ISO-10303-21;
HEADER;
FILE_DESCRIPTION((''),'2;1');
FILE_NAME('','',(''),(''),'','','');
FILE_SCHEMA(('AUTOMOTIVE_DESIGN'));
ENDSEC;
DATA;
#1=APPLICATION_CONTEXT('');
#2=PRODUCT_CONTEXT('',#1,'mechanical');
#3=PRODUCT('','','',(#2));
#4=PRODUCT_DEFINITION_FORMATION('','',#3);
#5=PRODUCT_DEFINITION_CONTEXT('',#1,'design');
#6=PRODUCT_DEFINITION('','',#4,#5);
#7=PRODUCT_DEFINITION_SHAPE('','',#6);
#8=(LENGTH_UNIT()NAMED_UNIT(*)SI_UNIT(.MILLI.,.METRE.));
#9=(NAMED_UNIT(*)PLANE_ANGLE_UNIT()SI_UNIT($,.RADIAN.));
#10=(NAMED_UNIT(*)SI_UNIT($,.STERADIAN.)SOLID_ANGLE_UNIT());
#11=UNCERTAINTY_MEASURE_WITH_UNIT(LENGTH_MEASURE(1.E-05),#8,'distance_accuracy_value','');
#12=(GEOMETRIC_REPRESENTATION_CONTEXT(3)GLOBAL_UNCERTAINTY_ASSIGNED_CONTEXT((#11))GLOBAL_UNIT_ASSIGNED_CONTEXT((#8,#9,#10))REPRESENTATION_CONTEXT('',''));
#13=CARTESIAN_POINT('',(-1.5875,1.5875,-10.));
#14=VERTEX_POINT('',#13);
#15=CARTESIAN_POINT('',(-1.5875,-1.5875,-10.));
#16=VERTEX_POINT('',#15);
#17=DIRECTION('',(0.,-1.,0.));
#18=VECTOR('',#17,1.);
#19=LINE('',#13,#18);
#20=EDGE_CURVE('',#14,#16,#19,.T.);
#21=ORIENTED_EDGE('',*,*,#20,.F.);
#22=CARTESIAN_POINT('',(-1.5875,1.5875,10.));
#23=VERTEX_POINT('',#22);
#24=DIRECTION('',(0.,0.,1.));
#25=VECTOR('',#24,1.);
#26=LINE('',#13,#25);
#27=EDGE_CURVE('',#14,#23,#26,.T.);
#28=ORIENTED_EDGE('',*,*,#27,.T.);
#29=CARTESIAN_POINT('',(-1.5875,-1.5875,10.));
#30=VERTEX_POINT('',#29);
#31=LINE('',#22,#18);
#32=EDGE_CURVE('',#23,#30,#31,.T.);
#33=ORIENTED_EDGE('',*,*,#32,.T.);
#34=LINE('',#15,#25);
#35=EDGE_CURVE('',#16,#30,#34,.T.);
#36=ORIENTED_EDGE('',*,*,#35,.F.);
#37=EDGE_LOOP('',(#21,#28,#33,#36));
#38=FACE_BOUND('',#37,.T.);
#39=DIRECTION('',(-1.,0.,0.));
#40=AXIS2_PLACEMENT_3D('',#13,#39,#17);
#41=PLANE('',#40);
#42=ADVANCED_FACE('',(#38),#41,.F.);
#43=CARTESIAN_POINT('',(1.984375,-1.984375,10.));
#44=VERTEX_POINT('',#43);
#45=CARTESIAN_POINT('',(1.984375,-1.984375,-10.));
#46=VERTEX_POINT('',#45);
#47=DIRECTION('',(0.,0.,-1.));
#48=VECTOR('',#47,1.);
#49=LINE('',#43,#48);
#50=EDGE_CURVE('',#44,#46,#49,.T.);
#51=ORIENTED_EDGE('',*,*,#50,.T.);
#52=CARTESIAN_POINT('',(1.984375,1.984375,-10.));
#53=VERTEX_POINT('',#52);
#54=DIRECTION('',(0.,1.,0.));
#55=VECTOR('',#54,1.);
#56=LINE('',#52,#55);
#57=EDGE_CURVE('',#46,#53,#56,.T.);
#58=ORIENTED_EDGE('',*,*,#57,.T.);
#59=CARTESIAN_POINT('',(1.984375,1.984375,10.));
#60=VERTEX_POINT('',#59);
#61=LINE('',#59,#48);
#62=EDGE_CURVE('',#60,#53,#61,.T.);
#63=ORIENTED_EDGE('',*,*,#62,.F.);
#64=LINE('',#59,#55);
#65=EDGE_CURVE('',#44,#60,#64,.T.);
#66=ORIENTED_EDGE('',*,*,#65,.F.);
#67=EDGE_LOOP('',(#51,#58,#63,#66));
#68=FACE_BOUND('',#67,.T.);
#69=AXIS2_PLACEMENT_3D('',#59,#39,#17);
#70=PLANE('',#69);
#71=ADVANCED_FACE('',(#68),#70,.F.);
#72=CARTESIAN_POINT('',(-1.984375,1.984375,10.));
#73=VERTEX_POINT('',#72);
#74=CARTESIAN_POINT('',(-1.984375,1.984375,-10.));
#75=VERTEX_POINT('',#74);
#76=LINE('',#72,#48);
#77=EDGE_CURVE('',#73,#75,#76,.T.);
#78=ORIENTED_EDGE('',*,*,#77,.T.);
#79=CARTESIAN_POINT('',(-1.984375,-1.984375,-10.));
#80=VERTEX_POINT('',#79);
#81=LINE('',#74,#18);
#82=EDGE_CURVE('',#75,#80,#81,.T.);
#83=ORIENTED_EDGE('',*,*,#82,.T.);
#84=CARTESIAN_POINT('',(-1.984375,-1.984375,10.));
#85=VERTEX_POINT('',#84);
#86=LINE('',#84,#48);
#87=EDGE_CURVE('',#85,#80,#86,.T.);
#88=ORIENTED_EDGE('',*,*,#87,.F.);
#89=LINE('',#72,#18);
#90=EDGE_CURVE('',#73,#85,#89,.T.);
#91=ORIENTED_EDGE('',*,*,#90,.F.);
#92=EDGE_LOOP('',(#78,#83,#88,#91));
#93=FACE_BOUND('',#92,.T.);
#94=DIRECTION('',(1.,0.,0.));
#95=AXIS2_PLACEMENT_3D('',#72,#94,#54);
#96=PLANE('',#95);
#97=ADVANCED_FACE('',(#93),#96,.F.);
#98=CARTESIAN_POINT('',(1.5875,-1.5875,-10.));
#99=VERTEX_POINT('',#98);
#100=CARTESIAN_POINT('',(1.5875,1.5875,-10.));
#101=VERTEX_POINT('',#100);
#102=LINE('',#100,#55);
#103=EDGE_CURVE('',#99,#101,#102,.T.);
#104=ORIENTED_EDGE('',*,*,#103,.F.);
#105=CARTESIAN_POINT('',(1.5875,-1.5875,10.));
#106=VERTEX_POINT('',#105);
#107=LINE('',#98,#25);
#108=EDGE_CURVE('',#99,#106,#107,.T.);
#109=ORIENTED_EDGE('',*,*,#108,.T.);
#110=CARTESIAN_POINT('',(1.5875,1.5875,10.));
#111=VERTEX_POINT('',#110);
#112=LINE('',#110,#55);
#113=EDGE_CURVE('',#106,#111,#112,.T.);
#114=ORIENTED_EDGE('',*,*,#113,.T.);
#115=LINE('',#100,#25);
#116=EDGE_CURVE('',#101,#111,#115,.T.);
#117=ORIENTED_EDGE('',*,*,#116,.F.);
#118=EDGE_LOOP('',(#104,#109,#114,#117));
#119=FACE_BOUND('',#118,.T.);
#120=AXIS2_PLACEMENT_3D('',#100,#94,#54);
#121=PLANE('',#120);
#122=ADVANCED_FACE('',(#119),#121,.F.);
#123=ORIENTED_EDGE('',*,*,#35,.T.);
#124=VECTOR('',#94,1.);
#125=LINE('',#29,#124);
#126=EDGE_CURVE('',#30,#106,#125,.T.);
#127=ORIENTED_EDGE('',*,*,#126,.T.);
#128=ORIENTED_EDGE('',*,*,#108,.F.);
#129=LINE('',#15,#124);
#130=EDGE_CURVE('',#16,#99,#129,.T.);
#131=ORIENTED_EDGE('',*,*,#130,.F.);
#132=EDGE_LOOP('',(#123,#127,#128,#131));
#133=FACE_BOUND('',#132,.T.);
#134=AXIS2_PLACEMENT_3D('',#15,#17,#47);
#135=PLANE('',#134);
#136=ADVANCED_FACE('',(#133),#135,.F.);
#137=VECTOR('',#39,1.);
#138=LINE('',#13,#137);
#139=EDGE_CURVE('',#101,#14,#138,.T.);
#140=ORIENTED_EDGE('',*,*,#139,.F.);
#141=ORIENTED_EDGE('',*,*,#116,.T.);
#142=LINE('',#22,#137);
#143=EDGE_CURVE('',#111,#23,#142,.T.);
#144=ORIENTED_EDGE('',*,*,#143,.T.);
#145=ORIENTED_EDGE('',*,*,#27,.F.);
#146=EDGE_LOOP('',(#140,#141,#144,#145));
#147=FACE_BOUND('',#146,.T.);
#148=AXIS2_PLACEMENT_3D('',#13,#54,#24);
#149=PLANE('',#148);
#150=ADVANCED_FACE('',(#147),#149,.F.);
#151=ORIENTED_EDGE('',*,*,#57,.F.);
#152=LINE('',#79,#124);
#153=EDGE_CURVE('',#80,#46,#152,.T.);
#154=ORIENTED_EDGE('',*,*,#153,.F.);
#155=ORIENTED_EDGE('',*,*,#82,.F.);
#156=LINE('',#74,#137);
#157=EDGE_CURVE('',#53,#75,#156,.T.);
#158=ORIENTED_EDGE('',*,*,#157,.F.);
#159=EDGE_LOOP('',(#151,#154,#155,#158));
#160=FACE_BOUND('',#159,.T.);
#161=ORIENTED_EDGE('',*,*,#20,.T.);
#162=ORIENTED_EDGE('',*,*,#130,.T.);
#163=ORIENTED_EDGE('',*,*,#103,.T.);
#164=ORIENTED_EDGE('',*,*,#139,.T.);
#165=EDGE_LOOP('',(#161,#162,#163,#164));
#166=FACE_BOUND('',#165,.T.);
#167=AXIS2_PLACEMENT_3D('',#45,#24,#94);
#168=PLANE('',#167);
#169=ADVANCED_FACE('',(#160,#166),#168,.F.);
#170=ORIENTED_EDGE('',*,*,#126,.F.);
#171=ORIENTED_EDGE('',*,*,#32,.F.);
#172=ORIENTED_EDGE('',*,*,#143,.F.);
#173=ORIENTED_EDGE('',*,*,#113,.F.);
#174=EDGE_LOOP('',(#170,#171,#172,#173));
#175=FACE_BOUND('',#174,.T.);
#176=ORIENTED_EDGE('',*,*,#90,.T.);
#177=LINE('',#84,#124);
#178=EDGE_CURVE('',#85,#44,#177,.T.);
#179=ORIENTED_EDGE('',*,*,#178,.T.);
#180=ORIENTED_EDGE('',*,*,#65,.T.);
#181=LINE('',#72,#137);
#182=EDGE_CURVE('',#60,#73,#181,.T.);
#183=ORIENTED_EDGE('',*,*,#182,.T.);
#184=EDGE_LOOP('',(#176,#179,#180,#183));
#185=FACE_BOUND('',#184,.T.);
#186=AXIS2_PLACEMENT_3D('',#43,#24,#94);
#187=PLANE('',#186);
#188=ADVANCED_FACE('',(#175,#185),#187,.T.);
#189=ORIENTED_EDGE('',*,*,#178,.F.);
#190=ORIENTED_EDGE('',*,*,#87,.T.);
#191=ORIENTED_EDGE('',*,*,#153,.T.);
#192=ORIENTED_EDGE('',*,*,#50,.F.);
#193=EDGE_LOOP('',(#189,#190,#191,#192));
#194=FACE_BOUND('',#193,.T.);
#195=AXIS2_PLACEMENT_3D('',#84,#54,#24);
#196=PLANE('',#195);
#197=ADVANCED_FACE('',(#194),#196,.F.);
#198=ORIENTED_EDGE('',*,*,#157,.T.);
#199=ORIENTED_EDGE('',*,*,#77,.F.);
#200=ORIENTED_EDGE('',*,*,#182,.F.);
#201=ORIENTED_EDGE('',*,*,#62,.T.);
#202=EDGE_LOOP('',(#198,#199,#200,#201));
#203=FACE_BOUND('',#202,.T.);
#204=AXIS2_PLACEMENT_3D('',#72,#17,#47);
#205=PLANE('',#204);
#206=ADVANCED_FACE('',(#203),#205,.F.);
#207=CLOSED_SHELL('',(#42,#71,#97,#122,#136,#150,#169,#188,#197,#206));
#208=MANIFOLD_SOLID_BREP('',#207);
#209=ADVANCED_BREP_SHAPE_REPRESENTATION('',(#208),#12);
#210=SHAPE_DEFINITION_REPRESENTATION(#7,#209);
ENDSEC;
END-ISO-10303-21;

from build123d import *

# Parameters (mm, degrees)
SKETCH1_W           = 3.96875
SKETCH1_H           = 3.96875
BOSS_EXTRUDE1_DEPTH = 10
SKETCH2_W           = 3.175
SKETCH2_H           = 3.175
CUT_EXTRUDE1_DEPTH  = 21.195927517


with BuildPart() as part:
    # Sketch1 → Boss-Extrude1 (new, symmetric)
    with BuildSketch(Plane.XY):
        Rectangle(SKETCH1_W, SKETCH1_H)
    extrude(amount=BOSS_EXTRUDE1_DEPTH, both=True)

    # Sketch2 → Cut-Extrude1 (cut, through all)
    with BuildSketch(Plane.XY.offset(10)):
        Rectangle(SKETCH2_W, SKETCH2_H)
    extrude(amount=-CUT_EXTRUDE1_DEPTH, mode=Mode.SUBTRACT)


solid = part.part
